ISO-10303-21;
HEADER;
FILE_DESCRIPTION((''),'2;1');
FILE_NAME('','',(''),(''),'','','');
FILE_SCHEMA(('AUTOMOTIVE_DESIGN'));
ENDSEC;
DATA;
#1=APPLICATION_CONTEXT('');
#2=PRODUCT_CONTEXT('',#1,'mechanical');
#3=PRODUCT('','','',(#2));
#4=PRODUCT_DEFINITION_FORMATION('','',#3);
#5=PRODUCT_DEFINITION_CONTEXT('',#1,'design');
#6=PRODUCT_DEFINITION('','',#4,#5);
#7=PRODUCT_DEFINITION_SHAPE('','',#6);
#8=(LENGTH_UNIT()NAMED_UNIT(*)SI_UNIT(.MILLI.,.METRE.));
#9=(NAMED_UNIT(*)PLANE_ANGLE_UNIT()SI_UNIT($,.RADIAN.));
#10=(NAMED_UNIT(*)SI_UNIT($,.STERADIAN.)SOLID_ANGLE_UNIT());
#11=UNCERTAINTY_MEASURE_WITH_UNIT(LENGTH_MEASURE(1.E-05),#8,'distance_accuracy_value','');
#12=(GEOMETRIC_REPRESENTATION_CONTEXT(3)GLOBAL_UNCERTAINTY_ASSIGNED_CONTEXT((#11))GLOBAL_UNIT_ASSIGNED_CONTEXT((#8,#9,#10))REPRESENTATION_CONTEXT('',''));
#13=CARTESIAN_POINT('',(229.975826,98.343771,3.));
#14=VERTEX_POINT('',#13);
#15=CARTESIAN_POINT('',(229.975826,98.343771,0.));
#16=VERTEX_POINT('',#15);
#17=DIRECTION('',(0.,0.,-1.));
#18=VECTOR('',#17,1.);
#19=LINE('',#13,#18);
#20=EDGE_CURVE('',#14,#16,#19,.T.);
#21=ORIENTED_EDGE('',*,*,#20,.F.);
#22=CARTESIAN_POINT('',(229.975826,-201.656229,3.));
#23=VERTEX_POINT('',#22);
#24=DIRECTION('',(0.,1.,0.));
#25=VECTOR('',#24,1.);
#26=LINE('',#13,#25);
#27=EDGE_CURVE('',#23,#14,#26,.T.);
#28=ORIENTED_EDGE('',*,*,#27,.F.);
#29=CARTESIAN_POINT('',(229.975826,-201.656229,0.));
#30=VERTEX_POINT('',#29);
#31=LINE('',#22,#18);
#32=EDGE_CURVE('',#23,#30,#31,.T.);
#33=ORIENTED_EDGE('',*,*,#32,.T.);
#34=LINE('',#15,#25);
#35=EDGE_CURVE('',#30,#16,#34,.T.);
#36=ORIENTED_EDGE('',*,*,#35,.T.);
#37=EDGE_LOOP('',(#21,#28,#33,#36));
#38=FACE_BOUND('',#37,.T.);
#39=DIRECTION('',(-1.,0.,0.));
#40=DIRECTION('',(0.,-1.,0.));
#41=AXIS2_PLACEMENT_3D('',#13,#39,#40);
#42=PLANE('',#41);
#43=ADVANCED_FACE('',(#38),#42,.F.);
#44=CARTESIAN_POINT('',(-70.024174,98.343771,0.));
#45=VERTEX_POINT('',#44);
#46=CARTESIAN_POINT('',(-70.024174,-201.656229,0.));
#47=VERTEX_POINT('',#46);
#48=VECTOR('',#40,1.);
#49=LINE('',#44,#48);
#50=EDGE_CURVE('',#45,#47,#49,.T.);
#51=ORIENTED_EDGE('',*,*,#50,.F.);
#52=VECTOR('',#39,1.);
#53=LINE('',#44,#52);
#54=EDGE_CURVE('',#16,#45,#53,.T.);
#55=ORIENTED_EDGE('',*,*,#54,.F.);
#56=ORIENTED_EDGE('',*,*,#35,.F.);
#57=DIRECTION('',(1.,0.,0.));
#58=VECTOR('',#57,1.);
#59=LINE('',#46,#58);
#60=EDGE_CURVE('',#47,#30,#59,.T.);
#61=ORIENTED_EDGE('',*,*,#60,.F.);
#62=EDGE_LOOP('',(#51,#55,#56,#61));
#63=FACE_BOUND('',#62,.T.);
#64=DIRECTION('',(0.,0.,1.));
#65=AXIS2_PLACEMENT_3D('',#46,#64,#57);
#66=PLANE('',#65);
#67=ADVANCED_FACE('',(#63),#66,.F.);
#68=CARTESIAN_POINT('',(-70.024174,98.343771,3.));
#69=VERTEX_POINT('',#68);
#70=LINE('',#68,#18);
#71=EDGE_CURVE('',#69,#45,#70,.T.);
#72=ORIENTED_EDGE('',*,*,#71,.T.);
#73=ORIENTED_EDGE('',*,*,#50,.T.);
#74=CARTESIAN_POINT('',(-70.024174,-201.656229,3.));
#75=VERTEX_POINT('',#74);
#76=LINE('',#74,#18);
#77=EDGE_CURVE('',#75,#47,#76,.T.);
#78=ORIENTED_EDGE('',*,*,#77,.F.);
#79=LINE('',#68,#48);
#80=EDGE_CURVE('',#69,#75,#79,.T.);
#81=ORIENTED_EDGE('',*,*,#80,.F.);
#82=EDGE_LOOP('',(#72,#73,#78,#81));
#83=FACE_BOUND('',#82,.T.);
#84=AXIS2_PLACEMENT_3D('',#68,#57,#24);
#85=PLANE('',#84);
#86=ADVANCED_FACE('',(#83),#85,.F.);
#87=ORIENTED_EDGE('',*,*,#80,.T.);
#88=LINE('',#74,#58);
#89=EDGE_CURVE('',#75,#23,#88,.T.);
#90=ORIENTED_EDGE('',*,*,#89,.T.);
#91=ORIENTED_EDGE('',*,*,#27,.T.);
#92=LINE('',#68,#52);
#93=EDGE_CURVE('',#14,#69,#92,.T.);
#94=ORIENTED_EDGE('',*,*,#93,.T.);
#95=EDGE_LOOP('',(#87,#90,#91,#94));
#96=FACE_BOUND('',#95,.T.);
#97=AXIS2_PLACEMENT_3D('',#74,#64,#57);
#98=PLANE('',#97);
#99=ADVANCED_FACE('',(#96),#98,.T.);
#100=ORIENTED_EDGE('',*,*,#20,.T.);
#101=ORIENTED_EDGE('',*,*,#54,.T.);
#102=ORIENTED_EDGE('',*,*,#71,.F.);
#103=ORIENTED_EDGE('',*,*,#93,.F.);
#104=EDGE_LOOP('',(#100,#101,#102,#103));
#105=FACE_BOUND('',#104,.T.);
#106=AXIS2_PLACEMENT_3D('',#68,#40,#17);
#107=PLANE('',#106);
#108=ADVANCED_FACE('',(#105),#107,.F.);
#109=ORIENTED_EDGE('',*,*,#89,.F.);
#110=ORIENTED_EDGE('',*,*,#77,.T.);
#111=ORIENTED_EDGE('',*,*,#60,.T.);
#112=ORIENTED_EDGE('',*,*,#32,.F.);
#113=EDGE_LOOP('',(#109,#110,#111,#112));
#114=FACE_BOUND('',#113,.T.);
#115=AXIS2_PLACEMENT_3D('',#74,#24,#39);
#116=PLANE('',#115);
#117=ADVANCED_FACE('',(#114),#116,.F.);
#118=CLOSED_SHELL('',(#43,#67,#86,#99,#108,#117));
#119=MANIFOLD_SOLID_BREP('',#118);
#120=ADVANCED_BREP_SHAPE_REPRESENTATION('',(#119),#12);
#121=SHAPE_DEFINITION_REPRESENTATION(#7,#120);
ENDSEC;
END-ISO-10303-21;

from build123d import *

# Parameters (mm, degrees)
ESQUISSE1_W        = 300
ESQUISSE1_H        = 300
BOSS_EXTRU_1_DEPTH = 3


with BuildPart() as part:
    # Esquisse1 → Boss.-Extru.1 (new body)
    with BuildSketch(Plane.XY):
        with Locations((79.97582642, -51.656229143)):
            Rectangle(ESQUISSE1_W, ESQUISSE1_H)
    extrude(amount=BOSS_EXTRU_1_DEPTH)


solid = part.part
